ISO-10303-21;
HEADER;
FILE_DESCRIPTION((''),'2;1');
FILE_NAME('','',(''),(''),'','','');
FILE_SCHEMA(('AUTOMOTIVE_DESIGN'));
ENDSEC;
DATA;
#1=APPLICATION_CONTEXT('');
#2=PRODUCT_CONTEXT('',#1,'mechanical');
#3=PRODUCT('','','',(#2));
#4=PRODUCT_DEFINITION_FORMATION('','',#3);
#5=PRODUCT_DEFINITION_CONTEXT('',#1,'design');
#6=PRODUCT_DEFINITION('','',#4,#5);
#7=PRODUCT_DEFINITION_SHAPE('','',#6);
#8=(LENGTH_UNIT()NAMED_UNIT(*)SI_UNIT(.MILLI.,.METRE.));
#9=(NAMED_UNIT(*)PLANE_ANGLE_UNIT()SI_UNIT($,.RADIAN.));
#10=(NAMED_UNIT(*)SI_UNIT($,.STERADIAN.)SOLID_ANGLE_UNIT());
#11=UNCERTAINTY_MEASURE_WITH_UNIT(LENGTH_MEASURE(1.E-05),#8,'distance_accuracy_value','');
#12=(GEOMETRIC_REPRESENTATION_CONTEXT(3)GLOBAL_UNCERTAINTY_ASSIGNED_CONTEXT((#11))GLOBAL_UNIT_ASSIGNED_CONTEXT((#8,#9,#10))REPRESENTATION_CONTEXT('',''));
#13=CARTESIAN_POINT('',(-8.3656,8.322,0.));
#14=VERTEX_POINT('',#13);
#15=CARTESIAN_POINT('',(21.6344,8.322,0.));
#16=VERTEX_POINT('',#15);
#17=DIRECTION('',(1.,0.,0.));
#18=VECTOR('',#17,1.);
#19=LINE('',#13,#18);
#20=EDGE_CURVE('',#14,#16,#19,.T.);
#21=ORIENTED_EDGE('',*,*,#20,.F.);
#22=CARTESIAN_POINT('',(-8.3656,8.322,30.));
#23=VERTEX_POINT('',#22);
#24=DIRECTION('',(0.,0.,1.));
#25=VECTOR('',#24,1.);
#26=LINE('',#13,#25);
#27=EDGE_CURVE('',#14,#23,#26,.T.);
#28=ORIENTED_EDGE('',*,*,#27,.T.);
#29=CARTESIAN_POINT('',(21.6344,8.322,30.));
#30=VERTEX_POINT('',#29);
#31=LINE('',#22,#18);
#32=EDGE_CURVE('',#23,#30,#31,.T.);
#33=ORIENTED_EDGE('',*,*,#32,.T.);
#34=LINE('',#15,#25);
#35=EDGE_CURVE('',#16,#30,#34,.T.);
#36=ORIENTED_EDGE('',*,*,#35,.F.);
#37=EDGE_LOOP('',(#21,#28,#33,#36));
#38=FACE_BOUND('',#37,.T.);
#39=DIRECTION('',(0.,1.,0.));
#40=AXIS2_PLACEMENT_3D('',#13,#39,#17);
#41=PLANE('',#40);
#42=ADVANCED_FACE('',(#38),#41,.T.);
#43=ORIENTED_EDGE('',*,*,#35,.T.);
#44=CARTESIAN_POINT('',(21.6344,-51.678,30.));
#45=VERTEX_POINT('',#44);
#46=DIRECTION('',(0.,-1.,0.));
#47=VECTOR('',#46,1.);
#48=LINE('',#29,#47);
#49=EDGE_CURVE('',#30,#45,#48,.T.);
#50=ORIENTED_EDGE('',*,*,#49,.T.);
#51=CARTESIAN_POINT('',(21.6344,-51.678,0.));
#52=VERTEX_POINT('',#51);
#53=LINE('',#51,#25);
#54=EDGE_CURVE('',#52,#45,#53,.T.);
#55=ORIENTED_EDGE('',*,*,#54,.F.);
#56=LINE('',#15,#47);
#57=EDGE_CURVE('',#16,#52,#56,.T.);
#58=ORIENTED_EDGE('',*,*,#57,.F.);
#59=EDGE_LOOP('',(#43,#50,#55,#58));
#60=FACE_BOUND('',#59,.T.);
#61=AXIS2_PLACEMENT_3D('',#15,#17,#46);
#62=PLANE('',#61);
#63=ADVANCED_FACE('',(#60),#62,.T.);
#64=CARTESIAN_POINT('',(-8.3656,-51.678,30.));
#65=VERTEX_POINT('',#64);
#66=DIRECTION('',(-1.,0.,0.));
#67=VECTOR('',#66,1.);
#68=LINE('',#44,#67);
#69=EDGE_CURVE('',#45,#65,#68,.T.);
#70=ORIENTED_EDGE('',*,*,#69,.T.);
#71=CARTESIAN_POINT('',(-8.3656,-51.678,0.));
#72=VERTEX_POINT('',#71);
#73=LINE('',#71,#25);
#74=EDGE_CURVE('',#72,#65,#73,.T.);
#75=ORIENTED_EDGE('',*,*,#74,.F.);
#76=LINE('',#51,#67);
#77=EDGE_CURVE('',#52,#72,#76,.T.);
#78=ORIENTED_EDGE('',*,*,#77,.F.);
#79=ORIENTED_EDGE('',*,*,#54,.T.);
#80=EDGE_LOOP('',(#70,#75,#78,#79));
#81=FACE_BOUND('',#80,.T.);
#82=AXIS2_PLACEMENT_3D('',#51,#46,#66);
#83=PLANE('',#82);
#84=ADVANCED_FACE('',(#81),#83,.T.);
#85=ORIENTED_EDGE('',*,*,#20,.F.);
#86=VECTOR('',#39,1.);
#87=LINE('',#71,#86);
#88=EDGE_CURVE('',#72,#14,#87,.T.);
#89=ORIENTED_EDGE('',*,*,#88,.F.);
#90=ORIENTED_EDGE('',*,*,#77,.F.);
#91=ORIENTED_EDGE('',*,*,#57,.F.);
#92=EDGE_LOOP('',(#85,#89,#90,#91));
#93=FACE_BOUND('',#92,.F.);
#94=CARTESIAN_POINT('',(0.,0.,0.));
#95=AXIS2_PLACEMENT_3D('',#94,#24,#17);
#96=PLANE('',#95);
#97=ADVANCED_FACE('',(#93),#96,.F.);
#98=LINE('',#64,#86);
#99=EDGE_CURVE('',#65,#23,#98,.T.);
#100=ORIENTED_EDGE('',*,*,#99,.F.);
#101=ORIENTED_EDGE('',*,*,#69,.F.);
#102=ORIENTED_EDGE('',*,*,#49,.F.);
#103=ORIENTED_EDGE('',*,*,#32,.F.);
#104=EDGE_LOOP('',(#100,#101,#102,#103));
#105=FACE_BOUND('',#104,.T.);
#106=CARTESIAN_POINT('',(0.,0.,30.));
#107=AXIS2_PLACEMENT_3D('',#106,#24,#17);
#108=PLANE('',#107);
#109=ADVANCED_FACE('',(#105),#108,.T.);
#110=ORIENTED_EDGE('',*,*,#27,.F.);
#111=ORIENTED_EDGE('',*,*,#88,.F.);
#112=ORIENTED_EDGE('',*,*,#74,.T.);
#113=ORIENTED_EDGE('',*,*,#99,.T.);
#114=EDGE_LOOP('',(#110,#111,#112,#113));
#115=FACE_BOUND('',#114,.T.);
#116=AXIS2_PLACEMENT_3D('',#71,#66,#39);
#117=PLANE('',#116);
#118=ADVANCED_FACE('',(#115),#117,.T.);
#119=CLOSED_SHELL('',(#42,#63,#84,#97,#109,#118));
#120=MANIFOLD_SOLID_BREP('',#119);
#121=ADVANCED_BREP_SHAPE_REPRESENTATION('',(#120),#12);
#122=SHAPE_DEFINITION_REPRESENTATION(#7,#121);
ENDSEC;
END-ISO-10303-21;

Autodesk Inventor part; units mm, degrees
ref_plane "YZ Plane" through (0, 0, 0) normal (1, 0, 0) x (0, 1, 0)
ref_plane "XZ Plane" through (0, 0, 0) normal (0, 1, 0) x (-1, 0, 0)
ref_plane "XY Plane" through (0, 0, 0) normal (0, 0, 1) x (1, 0, 0)
sketch "Sketch1" plane through (0, 0, 0) normal (0, 0, 1) x (1, 0, 0)
  line L0 (-8.3656, 8.322) -> (21.6344, 8.322)
  line L1 (21.6344, 8.322) -> (21.6344, -51.678)
  line L2 (21.6344, -51.678) -> (-8.3656, -51.678)
  line L3 (-8.3656, -51.678) -> (-8.3656, 8.322)
  point P0 (0, 0)
  dimension "d0" = 30
  dimension "d1" = 60
extrude "Extrusion1" add sketch "Sketch1" along normal blind 30
properties part number "stand" material "Wood (Birch)"
